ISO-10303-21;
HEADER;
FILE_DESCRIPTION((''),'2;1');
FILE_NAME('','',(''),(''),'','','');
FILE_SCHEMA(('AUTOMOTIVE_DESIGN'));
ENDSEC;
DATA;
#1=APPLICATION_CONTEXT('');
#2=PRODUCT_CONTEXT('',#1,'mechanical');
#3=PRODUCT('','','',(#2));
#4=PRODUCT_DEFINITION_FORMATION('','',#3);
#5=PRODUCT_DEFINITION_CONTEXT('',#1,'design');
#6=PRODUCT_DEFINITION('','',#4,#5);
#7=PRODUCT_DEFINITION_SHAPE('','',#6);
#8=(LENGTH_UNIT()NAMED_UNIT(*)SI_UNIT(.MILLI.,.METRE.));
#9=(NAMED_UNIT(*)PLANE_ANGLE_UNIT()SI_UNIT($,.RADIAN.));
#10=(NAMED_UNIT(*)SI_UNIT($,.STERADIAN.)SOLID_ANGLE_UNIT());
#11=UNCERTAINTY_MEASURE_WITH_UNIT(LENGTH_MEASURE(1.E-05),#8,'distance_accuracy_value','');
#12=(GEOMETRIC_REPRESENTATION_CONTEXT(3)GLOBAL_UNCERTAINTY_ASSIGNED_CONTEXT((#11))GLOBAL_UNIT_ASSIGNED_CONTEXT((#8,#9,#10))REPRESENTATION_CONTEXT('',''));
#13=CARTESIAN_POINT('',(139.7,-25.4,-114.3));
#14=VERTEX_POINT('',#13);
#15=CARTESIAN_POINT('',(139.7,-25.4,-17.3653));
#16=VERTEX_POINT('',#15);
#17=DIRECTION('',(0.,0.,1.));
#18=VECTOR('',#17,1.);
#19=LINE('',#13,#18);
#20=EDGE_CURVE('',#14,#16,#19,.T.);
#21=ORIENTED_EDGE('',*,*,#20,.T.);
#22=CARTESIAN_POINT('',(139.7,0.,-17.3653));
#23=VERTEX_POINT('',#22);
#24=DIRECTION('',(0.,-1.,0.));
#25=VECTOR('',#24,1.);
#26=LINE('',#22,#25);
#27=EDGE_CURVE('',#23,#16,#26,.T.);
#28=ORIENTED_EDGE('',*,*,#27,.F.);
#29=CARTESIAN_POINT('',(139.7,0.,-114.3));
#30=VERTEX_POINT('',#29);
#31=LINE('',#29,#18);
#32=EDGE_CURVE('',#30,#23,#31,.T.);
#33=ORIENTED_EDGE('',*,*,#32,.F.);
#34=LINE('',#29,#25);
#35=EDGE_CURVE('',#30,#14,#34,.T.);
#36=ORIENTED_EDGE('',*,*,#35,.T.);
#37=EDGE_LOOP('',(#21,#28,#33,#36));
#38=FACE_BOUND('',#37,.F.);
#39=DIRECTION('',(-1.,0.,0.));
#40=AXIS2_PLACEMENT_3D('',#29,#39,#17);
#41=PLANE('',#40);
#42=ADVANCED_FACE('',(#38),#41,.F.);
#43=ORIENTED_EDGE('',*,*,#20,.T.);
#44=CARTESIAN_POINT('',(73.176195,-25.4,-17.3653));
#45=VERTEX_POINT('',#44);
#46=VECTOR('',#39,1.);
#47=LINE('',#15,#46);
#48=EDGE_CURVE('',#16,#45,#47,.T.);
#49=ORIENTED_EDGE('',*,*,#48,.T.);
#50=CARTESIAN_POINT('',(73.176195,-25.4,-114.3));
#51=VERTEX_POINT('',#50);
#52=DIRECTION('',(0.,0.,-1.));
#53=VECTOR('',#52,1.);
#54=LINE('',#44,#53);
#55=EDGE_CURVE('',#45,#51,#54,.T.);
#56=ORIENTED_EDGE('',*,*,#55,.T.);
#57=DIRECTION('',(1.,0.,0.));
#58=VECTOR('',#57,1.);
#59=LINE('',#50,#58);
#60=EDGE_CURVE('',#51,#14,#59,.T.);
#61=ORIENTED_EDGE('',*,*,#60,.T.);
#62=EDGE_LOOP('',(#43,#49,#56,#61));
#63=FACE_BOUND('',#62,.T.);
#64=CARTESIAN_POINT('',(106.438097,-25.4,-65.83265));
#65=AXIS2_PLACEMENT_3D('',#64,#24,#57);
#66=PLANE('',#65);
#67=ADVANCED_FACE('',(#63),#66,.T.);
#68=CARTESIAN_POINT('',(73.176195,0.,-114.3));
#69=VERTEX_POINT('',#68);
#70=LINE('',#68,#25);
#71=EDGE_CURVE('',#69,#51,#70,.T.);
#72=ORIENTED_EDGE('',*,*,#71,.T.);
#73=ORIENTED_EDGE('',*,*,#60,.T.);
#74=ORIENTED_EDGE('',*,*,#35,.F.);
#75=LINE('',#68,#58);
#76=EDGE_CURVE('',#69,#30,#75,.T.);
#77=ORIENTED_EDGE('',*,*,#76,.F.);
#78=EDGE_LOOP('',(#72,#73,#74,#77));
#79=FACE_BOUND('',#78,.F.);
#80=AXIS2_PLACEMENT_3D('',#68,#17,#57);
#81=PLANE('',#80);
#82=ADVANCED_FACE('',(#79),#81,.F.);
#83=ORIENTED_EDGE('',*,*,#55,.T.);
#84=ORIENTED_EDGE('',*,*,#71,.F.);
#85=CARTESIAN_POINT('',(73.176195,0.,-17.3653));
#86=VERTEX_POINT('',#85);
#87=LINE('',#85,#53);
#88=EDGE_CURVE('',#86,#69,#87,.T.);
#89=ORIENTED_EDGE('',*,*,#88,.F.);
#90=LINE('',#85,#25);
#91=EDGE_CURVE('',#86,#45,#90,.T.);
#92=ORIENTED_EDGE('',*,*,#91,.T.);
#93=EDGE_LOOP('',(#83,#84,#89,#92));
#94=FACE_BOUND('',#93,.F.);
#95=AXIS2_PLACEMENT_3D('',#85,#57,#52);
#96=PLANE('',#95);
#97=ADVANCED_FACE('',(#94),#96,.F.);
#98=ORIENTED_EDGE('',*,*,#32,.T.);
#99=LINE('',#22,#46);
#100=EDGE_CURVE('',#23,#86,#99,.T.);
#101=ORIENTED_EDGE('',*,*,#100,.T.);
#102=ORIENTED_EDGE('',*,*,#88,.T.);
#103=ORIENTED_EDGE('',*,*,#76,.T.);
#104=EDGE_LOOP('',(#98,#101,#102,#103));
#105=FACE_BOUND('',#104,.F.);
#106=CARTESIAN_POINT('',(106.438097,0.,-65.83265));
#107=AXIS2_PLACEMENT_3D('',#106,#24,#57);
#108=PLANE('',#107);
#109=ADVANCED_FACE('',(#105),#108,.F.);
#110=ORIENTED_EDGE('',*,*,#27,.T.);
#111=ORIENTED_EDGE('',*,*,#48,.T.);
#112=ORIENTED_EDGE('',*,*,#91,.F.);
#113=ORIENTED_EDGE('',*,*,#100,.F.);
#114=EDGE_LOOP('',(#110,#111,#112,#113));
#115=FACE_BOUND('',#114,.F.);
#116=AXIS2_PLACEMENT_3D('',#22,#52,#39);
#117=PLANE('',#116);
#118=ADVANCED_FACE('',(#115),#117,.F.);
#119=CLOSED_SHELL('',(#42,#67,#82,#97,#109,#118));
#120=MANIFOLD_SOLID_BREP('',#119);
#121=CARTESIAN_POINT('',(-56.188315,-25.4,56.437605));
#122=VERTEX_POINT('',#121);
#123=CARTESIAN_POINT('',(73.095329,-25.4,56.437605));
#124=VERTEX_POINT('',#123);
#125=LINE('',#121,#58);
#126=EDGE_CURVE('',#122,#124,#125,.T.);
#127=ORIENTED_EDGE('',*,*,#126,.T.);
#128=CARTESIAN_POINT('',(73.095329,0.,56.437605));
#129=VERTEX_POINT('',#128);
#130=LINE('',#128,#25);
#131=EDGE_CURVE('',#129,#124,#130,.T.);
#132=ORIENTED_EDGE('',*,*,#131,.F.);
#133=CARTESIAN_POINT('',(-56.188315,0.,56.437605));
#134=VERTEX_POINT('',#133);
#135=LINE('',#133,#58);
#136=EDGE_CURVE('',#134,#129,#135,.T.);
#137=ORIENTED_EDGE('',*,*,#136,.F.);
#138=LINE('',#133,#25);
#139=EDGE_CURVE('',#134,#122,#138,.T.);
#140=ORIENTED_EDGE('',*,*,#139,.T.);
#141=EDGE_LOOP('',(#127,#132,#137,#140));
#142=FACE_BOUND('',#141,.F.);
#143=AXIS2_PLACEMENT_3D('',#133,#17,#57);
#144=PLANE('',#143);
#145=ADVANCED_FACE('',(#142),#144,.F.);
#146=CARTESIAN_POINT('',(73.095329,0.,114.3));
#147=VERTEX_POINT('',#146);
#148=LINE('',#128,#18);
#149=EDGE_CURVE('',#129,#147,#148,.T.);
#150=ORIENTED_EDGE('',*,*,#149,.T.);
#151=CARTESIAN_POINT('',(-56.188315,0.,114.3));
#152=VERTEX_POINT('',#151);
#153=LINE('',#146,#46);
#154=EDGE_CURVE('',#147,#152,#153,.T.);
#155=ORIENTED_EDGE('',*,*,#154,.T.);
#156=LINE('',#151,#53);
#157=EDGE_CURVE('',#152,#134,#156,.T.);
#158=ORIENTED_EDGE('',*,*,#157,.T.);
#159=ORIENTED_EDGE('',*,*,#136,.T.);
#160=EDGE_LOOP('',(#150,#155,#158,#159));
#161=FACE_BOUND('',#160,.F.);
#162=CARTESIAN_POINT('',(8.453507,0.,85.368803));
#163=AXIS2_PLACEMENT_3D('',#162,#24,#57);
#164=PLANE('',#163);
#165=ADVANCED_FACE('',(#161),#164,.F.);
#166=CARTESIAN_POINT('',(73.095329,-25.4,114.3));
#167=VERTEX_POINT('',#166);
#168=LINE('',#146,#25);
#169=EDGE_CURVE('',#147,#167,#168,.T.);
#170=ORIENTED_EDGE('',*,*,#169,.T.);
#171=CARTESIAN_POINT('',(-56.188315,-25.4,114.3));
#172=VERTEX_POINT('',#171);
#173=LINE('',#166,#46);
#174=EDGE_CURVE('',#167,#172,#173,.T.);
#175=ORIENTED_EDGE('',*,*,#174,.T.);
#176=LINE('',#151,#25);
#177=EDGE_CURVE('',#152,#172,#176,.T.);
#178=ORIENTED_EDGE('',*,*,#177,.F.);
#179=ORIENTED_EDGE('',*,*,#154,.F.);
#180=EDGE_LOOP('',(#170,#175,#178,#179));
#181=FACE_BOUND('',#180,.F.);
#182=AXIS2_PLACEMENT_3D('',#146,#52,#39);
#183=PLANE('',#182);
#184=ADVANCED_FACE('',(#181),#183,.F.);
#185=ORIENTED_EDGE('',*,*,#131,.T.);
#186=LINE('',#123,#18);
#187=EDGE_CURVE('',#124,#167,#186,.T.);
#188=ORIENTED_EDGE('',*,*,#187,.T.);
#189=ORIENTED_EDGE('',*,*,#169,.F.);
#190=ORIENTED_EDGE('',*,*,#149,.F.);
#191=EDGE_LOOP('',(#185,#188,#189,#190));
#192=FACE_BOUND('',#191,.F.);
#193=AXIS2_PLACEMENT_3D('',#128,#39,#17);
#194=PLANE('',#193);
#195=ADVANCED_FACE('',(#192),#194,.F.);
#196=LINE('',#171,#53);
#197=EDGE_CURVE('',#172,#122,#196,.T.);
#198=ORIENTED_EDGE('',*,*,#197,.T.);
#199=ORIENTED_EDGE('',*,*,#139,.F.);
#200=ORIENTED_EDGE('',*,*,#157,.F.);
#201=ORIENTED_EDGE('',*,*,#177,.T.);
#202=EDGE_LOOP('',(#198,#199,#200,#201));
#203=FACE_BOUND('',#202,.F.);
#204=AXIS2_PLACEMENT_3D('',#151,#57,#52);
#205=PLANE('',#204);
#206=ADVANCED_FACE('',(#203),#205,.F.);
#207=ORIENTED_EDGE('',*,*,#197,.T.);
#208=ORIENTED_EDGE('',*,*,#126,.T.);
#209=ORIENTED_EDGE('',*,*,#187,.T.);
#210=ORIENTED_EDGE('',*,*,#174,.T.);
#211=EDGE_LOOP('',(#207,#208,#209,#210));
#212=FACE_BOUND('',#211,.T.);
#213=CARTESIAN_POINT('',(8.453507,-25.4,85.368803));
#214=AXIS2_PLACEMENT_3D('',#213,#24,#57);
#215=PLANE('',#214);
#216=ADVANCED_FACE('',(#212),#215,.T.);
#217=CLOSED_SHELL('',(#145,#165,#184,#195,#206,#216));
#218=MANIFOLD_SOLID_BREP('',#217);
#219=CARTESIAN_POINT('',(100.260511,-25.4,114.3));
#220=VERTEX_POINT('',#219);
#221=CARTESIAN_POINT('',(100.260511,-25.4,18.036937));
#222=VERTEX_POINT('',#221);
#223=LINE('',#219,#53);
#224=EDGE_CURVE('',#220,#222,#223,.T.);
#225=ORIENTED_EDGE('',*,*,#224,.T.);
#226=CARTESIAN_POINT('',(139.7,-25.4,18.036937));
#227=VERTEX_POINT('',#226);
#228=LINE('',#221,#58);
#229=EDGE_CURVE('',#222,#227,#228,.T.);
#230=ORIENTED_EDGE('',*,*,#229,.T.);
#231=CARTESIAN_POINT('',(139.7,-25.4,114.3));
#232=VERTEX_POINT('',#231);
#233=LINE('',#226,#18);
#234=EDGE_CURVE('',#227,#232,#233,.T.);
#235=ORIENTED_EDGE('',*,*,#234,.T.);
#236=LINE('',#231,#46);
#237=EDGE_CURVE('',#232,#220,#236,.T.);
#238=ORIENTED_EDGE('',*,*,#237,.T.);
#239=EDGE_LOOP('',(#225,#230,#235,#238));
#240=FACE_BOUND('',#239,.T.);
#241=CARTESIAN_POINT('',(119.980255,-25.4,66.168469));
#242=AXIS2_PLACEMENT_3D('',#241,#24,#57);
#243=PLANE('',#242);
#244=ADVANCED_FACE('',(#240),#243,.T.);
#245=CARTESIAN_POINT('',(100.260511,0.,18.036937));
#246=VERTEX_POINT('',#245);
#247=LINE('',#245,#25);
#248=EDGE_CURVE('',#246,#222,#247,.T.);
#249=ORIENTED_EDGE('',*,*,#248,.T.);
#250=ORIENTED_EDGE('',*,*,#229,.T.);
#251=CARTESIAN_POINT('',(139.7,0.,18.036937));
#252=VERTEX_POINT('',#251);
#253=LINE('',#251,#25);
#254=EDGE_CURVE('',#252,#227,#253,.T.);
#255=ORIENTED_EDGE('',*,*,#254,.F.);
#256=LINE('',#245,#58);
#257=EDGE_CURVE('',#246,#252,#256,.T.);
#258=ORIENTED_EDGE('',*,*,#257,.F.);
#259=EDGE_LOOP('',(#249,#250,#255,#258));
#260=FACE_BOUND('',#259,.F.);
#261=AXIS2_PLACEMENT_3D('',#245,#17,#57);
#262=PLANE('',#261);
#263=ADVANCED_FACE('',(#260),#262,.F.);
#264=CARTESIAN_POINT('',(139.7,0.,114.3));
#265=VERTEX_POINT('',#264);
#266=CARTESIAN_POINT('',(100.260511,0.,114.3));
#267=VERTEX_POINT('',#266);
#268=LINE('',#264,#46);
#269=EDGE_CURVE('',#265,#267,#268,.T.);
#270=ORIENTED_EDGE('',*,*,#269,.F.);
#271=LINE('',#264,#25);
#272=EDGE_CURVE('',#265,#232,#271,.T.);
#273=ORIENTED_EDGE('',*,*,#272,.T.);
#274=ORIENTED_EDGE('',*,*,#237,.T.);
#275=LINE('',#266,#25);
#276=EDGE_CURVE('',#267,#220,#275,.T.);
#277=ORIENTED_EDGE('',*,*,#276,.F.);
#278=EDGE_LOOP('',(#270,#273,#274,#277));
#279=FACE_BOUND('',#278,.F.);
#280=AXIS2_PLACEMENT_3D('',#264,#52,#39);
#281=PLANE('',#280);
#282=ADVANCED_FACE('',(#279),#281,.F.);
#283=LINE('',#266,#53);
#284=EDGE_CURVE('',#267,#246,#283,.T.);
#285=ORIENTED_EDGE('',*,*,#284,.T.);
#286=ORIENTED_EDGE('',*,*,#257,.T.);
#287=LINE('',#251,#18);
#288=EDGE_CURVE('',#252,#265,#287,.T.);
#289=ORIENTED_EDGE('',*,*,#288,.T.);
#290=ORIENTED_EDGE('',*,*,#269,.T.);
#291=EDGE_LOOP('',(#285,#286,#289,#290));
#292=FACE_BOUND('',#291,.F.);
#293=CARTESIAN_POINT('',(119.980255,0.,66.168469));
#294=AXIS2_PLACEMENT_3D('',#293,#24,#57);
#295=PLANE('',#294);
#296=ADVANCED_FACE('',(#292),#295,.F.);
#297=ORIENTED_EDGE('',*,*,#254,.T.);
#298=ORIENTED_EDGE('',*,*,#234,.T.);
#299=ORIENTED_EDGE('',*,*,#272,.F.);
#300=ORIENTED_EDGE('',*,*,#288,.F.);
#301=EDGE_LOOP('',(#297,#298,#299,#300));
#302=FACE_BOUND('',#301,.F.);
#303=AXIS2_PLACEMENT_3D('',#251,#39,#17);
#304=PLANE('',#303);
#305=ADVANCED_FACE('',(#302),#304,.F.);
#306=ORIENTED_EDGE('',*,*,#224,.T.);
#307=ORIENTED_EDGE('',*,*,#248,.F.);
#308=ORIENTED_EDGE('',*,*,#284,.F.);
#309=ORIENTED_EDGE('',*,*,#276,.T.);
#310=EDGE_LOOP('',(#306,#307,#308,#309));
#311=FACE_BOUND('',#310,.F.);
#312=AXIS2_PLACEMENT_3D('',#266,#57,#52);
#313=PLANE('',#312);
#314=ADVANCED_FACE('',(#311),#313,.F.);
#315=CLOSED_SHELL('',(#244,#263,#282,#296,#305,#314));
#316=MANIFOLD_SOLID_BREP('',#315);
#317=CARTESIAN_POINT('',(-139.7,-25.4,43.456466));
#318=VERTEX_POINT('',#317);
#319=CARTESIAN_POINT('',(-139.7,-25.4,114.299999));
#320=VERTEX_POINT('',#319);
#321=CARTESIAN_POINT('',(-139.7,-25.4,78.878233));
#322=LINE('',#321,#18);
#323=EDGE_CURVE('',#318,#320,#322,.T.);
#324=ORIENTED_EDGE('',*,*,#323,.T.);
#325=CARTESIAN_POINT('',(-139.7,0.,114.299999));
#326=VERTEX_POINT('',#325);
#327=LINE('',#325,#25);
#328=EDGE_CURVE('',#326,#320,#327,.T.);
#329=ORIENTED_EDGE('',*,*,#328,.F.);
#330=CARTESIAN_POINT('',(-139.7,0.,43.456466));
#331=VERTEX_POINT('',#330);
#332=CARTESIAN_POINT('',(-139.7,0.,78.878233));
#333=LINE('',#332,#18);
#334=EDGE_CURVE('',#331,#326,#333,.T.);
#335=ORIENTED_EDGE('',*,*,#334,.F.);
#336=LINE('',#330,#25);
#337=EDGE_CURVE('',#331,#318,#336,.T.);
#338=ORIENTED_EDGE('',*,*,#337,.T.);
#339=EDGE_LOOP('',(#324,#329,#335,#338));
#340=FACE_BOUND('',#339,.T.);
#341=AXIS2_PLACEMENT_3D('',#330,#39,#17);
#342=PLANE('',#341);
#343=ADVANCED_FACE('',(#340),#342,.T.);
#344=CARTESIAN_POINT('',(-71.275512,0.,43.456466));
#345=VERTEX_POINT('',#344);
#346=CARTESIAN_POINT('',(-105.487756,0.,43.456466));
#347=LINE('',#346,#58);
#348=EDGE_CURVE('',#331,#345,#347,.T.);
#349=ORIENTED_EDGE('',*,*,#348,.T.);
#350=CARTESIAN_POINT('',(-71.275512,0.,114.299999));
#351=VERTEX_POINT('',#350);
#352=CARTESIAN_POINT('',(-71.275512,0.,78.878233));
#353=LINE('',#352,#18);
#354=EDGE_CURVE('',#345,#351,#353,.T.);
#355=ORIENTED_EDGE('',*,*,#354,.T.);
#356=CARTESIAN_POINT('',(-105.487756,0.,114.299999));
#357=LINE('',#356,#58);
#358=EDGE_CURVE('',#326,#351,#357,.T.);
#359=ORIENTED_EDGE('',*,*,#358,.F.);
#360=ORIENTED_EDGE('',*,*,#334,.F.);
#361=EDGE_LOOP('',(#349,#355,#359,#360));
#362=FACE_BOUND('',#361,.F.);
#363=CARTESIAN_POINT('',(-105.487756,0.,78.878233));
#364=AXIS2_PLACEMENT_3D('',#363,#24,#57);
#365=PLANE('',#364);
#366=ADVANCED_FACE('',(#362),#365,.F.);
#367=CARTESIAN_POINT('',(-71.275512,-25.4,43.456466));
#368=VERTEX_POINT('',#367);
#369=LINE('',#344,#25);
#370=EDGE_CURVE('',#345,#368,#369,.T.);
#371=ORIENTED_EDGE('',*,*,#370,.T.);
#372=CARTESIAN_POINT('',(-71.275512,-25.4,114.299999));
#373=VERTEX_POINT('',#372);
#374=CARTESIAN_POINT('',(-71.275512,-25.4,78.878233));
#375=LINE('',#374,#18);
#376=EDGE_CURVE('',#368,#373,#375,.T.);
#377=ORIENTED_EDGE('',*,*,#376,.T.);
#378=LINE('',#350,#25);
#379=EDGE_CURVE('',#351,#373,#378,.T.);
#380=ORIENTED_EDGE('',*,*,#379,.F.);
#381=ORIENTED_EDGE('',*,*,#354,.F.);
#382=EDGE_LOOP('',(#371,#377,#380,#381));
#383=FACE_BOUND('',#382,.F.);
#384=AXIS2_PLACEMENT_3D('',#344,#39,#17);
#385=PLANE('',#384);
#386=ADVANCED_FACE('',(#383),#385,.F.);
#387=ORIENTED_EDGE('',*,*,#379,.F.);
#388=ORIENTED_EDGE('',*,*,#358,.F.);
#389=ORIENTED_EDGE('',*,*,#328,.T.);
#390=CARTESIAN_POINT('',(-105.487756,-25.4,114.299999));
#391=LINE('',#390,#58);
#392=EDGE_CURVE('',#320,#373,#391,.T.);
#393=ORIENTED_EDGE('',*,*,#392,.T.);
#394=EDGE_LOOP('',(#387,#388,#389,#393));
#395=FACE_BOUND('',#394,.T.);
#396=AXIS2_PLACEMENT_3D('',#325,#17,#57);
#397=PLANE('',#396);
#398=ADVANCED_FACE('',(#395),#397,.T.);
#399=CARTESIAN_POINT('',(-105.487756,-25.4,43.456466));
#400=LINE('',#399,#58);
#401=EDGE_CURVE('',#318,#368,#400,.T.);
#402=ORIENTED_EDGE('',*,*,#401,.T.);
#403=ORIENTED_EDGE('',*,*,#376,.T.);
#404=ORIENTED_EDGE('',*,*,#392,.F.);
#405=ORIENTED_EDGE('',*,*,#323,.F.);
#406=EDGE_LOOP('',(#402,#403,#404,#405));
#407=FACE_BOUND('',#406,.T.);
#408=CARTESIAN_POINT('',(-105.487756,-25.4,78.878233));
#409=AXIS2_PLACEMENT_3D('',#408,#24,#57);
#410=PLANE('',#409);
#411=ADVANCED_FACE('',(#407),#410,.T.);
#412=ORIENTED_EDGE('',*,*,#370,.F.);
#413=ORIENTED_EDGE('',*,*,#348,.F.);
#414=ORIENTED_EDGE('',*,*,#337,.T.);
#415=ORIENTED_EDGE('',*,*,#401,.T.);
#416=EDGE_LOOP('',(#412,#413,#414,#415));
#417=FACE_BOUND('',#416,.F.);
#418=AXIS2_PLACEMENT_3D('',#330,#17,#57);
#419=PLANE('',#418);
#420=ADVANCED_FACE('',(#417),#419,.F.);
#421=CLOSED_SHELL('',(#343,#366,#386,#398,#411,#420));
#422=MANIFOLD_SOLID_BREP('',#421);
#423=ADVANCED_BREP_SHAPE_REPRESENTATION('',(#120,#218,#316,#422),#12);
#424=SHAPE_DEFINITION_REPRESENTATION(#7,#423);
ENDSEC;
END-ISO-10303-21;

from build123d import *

# Parameters (mm, degrees)
F0_W     = 68.424488
F0_H     = 70.843533
F1_DEPTH = 25.4


with BuildPart() as f1:
    # F0 (on Front) → F1 (new body)
    with BuildSketch(Plane.XZ):
        with Locations((-105.487756, 78.878233)):
            Rectangle(F0_W, F0_H)
        Polygon((73.095329, 114.3), (-56.188315, 114.3), (-56.188315, 56.437605), (-13.736966, 56.437605), (73.095329, 56.437605), align=None)
        Polygon((139.7, 114.3), (100.260511, 114.3), (100.260511, 58.597744), (100.260511, 18.036937), (139.7, 18.036937), (139.7, 41.555787), align=None)
        Polygon((73.176195, -84.193148), (73.176195, -114.3), (139.7, -114.3), (139.7, -17.3653), (73.176195, -17.3653), (73.176195, -37.183945), (73.176195, -65.83265), align=None)
    extrude(amount=F1_DEPTH)


solid = f1.part
